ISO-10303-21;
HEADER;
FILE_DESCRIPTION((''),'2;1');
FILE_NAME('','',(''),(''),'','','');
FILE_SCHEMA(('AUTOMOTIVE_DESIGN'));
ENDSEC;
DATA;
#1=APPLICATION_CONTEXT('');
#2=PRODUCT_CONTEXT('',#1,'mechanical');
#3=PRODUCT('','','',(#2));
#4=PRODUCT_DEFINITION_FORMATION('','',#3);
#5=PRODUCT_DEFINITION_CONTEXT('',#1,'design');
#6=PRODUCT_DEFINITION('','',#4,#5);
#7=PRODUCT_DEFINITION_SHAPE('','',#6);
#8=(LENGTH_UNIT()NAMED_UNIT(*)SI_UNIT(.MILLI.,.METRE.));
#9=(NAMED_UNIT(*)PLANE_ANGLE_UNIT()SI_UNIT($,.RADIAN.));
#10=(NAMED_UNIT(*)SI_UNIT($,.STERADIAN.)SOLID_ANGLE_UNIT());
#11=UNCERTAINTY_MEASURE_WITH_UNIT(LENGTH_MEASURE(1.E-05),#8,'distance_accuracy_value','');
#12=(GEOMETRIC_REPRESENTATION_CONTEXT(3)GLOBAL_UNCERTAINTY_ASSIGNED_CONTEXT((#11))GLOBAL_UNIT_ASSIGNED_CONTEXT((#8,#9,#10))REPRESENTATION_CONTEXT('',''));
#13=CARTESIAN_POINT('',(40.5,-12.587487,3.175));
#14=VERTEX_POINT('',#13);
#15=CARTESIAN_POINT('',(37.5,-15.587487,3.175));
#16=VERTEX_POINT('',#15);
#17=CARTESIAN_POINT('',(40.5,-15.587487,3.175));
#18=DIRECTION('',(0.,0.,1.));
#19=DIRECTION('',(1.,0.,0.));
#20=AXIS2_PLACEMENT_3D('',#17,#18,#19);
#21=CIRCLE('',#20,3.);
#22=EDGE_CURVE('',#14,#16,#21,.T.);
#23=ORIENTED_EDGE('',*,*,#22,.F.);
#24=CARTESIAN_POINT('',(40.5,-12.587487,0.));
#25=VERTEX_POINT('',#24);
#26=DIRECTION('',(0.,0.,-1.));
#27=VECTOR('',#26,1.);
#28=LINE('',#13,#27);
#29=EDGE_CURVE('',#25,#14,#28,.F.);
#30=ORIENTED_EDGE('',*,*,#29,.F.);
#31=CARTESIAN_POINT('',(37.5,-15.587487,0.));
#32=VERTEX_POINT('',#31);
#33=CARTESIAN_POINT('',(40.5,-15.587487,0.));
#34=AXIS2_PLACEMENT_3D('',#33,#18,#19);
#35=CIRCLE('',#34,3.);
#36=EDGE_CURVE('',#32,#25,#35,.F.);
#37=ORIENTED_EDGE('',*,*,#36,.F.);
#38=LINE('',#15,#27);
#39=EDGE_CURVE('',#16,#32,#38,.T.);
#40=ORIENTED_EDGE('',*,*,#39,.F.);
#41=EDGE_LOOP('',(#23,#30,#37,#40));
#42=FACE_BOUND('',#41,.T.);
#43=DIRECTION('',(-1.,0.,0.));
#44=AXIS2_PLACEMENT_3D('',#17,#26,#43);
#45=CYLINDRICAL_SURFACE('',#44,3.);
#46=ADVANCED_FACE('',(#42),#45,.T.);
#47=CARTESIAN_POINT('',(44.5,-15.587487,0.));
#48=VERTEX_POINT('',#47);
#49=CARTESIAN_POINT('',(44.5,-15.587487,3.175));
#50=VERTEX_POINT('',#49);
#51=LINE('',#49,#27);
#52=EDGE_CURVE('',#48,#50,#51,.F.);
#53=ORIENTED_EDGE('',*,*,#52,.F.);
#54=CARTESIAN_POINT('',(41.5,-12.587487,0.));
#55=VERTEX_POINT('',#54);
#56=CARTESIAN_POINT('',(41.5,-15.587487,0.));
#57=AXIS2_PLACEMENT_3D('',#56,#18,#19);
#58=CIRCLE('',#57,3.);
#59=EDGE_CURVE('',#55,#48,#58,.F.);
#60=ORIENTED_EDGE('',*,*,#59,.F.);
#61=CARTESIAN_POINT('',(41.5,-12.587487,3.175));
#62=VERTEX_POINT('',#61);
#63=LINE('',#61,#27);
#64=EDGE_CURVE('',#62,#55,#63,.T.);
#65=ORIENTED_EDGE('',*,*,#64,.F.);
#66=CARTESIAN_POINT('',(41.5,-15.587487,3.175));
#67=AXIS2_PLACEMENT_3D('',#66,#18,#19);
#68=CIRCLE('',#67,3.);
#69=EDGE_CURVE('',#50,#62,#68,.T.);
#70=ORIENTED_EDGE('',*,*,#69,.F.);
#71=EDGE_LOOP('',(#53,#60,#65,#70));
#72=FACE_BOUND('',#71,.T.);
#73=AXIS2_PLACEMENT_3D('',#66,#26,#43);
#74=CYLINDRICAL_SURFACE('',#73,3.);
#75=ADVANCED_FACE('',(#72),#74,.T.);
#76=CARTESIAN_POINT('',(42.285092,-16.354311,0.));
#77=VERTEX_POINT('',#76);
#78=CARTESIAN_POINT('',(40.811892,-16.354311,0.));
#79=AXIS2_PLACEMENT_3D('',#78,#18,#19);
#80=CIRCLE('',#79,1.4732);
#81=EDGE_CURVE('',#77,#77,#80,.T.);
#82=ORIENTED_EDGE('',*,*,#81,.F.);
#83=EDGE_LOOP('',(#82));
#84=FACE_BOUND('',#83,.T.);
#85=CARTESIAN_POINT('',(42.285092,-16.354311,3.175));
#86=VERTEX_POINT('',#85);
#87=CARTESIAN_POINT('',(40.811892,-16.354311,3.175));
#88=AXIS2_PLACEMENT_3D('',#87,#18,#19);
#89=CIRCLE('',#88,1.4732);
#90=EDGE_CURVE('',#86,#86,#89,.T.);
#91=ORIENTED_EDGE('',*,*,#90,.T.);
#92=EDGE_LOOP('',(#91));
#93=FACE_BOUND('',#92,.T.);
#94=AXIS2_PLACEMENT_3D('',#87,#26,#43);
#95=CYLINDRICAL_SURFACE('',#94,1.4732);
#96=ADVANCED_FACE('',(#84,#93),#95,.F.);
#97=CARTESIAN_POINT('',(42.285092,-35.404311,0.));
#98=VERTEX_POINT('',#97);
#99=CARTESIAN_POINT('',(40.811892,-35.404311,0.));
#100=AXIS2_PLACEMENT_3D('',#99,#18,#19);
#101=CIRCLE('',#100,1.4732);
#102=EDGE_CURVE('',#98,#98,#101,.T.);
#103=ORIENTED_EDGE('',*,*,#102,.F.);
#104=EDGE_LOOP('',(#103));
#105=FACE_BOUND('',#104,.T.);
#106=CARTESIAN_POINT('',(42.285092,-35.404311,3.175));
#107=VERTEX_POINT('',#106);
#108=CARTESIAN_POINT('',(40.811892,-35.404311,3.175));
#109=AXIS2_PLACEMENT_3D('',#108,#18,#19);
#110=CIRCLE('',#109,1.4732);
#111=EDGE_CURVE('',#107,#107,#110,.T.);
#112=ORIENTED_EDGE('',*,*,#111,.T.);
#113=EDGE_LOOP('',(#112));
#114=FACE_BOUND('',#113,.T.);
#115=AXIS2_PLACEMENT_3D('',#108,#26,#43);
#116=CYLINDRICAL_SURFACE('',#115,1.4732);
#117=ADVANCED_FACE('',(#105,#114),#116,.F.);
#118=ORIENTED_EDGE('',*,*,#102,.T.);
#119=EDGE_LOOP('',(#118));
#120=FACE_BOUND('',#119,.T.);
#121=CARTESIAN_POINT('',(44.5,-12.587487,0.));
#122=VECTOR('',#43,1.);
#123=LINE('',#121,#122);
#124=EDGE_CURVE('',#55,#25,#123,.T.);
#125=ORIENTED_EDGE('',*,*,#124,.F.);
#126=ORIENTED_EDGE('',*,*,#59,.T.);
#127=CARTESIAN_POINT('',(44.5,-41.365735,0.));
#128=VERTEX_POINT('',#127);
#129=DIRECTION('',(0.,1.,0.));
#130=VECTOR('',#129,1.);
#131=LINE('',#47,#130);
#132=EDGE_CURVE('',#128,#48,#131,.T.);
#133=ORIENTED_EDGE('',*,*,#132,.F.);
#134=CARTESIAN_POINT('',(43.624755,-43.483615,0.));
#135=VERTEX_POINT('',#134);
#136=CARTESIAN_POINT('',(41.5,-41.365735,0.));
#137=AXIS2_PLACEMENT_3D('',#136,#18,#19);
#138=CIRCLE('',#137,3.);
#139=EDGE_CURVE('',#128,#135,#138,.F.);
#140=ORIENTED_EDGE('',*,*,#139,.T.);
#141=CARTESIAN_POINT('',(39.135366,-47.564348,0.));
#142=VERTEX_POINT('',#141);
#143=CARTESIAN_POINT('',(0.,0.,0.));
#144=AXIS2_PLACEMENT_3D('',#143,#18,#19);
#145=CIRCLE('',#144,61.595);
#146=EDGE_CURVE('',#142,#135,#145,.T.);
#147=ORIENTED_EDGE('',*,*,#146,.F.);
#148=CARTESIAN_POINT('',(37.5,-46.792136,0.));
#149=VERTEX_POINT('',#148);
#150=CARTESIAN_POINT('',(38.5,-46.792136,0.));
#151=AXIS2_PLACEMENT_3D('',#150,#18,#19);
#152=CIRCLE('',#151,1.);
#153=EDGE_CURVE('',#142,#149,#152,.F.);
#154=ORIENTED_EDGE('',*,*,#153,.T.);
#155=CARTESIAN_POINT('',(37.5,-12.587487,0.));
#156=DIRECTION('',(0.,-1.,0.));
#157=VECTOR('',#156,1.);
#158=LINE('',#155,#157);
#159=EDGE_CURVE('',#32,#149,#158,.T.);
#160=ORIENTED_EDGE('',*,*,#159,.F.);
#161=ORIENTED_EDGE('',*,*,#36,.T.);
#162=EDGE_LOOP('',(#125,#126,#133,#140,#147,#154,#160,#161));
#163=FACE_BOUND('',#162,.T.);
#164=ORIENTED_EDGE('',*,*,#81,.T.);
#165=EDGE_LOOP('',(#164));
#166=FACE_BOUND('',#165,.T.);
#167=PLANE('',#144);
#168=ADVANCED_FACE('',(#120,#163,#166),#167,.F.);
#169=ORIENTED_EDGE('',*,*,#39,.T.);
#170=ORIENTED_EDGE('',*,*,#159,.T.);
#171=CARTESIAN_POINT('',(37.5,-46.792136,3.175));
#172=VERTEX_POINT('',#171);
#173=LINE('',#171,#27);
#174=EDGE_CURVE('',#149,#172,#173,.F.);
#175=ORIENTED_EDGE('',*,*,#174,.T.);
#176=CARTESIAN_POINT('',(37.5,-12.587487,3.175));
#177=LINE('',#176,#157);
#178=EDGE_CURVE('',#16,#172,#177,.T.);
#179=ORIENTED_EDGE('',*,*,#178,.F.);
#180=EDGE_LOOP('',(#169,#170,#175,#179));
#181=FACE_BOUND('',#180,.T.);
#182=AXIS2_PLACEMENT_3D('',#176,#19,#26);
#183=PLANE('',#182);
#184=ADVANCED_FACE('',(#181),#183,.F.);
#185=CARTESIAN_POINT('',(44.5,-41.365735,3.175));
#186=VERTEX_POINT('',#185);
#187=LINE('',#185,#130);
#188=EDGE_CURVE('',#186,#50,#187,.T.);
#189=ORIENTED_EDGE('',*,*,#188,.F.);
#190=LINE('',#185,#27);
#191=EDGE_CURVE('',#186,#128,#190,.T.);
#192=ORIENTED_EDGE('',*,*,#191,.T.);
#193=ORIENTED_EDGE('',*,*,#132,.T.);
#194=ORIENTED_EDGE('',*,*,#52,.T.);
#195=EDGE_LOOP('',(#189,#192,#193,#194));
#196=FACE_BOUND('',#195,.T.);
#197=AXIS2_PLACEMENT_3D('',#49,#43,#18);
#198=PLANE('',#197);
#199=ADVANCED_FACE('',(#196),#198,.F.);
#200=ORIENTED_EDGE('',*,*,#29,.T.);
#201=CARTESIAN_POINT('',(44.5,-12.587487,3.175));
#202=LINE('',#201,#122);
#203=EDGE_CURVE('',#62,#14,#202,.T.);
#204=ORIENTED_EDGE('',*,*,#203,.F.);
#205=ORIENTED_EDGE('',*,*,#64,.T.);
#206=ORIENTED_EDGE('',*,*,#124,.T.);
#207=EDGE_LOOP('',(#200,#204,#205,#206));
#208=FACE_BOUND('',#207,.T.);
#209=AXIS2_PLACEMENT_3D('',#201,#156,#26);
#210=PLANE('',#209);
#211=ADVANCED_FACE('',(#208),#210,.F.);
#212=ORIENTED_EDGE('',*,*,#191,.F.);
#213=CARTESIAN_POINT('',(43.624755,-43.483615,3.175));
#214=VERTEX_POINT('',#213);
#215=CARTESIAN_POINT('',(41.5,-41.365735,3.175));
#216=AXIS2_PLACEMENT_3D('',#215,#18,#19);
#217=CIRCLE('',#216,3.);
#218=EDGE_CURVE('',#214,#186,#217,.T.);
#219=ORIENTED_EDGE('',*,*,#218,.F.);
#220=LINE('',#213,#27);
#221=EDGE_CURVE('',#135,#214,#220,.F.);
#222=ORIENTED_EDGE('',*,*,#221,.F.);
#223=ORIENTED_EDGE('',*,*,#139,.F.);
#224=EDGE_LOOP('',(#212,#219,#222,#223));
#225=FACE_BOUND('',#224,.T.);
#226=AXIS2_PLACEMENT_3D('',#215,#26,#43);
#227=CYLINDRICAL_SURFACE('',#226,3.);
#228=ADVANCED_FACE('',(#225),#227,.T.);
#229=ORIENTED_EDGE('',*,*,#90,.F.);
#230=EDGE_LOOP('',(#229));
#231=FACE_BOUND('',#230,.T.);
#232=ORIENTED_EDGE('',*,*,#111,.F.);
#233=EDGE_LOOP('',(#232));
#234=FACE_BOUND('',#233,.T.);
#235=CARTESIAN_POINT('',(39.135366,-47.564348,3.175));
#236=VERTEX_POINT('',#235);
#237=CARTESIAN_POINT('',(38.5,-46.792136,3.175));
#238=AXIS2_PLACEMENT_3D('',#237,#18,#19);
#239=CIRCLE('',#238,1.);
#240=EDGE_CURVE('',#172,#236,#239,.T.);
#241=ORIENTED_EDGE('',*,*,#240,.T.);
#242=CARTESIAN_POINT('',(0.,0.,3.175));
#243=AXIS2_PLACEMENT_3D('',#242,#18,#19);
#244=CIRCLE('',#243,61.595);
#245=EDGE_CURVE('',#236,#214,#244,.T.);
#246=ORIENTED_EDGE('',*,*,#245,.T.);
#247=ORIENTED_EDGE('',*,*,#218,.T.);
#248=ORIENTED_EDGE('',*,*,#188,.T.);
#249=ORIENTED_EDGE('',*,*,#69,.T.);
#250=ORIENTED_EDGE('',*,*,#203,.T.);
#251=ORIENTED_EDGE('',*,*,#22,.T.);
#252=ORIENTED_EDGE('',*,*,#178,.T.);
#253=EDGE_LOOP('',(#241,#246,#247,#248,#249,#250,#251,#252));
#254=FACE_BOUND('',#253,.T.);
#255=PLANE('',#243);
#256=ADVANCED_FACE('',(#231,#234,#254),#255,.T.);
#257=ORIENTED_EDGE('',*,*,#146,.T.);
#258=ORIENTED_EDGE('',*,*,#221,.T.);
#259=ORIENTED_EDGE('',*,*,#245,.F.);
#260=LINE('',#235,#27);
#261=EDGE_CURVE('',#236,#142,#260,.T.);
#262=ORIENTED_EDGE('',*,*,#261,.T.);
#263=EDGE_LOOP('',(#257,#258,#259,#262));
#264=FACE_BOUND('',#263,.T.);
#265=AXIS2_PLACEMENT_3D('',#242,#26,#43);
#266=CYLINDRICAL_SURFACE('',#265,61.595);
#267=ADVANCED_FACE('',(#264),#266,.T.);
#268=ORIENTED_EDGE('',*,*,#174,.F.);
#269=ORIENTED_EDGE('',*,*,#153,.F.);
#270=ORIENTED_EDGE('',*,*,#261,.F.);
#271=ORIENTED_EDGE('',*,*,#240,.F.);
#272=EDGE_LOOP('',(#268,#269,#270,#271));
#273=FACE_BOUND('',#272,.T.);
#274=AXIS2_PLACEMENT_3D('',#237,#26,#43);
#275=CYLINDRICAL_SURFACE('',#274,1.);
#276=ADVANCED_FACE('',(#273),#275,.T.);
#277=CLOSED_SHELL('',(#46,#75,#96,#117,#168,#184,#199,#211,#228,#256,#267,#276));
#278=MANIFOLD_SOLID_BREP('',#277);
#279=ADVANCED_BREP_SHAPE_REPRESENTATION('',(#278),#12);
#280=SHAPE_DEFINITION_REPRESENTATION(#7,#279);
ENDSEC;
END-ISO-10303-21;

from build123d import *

# Parameters (mm, degrees)
SKETCH1_R           = 1.4732
BOSS_EXTRUDE1_DEPTH = 3.175
FILLET1_R           = 3
FILLET2_R           = 1


with BuildPart() as part:
    # Sketch1 → Boss-Extrude1 (new body)
    with BuildSketch(Plane.XY):
        with BuildLine():
            Line((37.5, -12.587486719), (37.5, -48.86403611))
            ThreePointArc((37.5, -48.86403611), (41.119931518, -45.859516536), (44.5, -42.587486719))
            Line((44.5, -42.587486719), (44.5, -41.365734914))
            Line((44.5, -41.365734914), (44.5, -15.587486719))
            Line((44.5, -15.587486719), (44.5, -12.587486719))
            Line((44.5, -12.587486719), (37.5, -12.587486719))
        make_face()
        with Locations((40.81189221, -16.354311186)):
            Circle(SKETCH1_R, mode=Mode.SUBTRACT)
        with Locations((40.81189221, -35.404311186)):
            Circle(SKETCH1_R, mode=Mode.SUBTRACT)
    extrude(amount=BOSS_EXTRUDE1_DEPTH)

    # Fillet1
    fillet1_edges = [part.edges().sort_by_distance(p)[0] for p in [
        (44.5, -12.587486719, 1.5875),
        (44.5, -42.587486719, 1.5875),
        (37.5, -12.587486719, 1.5875),
    ]]
    fillet(fillet1_edges, radius=FILLET1_R)

    # Fillet2
    fillet2_edges = [part.edges().sort_by_distance(p)[0] for p in [
        (37.5, -48.86403611, 1.5875),
    ]]
    fillet(fillet2_edges, radius=FILLET2_R)


solid = part.part
